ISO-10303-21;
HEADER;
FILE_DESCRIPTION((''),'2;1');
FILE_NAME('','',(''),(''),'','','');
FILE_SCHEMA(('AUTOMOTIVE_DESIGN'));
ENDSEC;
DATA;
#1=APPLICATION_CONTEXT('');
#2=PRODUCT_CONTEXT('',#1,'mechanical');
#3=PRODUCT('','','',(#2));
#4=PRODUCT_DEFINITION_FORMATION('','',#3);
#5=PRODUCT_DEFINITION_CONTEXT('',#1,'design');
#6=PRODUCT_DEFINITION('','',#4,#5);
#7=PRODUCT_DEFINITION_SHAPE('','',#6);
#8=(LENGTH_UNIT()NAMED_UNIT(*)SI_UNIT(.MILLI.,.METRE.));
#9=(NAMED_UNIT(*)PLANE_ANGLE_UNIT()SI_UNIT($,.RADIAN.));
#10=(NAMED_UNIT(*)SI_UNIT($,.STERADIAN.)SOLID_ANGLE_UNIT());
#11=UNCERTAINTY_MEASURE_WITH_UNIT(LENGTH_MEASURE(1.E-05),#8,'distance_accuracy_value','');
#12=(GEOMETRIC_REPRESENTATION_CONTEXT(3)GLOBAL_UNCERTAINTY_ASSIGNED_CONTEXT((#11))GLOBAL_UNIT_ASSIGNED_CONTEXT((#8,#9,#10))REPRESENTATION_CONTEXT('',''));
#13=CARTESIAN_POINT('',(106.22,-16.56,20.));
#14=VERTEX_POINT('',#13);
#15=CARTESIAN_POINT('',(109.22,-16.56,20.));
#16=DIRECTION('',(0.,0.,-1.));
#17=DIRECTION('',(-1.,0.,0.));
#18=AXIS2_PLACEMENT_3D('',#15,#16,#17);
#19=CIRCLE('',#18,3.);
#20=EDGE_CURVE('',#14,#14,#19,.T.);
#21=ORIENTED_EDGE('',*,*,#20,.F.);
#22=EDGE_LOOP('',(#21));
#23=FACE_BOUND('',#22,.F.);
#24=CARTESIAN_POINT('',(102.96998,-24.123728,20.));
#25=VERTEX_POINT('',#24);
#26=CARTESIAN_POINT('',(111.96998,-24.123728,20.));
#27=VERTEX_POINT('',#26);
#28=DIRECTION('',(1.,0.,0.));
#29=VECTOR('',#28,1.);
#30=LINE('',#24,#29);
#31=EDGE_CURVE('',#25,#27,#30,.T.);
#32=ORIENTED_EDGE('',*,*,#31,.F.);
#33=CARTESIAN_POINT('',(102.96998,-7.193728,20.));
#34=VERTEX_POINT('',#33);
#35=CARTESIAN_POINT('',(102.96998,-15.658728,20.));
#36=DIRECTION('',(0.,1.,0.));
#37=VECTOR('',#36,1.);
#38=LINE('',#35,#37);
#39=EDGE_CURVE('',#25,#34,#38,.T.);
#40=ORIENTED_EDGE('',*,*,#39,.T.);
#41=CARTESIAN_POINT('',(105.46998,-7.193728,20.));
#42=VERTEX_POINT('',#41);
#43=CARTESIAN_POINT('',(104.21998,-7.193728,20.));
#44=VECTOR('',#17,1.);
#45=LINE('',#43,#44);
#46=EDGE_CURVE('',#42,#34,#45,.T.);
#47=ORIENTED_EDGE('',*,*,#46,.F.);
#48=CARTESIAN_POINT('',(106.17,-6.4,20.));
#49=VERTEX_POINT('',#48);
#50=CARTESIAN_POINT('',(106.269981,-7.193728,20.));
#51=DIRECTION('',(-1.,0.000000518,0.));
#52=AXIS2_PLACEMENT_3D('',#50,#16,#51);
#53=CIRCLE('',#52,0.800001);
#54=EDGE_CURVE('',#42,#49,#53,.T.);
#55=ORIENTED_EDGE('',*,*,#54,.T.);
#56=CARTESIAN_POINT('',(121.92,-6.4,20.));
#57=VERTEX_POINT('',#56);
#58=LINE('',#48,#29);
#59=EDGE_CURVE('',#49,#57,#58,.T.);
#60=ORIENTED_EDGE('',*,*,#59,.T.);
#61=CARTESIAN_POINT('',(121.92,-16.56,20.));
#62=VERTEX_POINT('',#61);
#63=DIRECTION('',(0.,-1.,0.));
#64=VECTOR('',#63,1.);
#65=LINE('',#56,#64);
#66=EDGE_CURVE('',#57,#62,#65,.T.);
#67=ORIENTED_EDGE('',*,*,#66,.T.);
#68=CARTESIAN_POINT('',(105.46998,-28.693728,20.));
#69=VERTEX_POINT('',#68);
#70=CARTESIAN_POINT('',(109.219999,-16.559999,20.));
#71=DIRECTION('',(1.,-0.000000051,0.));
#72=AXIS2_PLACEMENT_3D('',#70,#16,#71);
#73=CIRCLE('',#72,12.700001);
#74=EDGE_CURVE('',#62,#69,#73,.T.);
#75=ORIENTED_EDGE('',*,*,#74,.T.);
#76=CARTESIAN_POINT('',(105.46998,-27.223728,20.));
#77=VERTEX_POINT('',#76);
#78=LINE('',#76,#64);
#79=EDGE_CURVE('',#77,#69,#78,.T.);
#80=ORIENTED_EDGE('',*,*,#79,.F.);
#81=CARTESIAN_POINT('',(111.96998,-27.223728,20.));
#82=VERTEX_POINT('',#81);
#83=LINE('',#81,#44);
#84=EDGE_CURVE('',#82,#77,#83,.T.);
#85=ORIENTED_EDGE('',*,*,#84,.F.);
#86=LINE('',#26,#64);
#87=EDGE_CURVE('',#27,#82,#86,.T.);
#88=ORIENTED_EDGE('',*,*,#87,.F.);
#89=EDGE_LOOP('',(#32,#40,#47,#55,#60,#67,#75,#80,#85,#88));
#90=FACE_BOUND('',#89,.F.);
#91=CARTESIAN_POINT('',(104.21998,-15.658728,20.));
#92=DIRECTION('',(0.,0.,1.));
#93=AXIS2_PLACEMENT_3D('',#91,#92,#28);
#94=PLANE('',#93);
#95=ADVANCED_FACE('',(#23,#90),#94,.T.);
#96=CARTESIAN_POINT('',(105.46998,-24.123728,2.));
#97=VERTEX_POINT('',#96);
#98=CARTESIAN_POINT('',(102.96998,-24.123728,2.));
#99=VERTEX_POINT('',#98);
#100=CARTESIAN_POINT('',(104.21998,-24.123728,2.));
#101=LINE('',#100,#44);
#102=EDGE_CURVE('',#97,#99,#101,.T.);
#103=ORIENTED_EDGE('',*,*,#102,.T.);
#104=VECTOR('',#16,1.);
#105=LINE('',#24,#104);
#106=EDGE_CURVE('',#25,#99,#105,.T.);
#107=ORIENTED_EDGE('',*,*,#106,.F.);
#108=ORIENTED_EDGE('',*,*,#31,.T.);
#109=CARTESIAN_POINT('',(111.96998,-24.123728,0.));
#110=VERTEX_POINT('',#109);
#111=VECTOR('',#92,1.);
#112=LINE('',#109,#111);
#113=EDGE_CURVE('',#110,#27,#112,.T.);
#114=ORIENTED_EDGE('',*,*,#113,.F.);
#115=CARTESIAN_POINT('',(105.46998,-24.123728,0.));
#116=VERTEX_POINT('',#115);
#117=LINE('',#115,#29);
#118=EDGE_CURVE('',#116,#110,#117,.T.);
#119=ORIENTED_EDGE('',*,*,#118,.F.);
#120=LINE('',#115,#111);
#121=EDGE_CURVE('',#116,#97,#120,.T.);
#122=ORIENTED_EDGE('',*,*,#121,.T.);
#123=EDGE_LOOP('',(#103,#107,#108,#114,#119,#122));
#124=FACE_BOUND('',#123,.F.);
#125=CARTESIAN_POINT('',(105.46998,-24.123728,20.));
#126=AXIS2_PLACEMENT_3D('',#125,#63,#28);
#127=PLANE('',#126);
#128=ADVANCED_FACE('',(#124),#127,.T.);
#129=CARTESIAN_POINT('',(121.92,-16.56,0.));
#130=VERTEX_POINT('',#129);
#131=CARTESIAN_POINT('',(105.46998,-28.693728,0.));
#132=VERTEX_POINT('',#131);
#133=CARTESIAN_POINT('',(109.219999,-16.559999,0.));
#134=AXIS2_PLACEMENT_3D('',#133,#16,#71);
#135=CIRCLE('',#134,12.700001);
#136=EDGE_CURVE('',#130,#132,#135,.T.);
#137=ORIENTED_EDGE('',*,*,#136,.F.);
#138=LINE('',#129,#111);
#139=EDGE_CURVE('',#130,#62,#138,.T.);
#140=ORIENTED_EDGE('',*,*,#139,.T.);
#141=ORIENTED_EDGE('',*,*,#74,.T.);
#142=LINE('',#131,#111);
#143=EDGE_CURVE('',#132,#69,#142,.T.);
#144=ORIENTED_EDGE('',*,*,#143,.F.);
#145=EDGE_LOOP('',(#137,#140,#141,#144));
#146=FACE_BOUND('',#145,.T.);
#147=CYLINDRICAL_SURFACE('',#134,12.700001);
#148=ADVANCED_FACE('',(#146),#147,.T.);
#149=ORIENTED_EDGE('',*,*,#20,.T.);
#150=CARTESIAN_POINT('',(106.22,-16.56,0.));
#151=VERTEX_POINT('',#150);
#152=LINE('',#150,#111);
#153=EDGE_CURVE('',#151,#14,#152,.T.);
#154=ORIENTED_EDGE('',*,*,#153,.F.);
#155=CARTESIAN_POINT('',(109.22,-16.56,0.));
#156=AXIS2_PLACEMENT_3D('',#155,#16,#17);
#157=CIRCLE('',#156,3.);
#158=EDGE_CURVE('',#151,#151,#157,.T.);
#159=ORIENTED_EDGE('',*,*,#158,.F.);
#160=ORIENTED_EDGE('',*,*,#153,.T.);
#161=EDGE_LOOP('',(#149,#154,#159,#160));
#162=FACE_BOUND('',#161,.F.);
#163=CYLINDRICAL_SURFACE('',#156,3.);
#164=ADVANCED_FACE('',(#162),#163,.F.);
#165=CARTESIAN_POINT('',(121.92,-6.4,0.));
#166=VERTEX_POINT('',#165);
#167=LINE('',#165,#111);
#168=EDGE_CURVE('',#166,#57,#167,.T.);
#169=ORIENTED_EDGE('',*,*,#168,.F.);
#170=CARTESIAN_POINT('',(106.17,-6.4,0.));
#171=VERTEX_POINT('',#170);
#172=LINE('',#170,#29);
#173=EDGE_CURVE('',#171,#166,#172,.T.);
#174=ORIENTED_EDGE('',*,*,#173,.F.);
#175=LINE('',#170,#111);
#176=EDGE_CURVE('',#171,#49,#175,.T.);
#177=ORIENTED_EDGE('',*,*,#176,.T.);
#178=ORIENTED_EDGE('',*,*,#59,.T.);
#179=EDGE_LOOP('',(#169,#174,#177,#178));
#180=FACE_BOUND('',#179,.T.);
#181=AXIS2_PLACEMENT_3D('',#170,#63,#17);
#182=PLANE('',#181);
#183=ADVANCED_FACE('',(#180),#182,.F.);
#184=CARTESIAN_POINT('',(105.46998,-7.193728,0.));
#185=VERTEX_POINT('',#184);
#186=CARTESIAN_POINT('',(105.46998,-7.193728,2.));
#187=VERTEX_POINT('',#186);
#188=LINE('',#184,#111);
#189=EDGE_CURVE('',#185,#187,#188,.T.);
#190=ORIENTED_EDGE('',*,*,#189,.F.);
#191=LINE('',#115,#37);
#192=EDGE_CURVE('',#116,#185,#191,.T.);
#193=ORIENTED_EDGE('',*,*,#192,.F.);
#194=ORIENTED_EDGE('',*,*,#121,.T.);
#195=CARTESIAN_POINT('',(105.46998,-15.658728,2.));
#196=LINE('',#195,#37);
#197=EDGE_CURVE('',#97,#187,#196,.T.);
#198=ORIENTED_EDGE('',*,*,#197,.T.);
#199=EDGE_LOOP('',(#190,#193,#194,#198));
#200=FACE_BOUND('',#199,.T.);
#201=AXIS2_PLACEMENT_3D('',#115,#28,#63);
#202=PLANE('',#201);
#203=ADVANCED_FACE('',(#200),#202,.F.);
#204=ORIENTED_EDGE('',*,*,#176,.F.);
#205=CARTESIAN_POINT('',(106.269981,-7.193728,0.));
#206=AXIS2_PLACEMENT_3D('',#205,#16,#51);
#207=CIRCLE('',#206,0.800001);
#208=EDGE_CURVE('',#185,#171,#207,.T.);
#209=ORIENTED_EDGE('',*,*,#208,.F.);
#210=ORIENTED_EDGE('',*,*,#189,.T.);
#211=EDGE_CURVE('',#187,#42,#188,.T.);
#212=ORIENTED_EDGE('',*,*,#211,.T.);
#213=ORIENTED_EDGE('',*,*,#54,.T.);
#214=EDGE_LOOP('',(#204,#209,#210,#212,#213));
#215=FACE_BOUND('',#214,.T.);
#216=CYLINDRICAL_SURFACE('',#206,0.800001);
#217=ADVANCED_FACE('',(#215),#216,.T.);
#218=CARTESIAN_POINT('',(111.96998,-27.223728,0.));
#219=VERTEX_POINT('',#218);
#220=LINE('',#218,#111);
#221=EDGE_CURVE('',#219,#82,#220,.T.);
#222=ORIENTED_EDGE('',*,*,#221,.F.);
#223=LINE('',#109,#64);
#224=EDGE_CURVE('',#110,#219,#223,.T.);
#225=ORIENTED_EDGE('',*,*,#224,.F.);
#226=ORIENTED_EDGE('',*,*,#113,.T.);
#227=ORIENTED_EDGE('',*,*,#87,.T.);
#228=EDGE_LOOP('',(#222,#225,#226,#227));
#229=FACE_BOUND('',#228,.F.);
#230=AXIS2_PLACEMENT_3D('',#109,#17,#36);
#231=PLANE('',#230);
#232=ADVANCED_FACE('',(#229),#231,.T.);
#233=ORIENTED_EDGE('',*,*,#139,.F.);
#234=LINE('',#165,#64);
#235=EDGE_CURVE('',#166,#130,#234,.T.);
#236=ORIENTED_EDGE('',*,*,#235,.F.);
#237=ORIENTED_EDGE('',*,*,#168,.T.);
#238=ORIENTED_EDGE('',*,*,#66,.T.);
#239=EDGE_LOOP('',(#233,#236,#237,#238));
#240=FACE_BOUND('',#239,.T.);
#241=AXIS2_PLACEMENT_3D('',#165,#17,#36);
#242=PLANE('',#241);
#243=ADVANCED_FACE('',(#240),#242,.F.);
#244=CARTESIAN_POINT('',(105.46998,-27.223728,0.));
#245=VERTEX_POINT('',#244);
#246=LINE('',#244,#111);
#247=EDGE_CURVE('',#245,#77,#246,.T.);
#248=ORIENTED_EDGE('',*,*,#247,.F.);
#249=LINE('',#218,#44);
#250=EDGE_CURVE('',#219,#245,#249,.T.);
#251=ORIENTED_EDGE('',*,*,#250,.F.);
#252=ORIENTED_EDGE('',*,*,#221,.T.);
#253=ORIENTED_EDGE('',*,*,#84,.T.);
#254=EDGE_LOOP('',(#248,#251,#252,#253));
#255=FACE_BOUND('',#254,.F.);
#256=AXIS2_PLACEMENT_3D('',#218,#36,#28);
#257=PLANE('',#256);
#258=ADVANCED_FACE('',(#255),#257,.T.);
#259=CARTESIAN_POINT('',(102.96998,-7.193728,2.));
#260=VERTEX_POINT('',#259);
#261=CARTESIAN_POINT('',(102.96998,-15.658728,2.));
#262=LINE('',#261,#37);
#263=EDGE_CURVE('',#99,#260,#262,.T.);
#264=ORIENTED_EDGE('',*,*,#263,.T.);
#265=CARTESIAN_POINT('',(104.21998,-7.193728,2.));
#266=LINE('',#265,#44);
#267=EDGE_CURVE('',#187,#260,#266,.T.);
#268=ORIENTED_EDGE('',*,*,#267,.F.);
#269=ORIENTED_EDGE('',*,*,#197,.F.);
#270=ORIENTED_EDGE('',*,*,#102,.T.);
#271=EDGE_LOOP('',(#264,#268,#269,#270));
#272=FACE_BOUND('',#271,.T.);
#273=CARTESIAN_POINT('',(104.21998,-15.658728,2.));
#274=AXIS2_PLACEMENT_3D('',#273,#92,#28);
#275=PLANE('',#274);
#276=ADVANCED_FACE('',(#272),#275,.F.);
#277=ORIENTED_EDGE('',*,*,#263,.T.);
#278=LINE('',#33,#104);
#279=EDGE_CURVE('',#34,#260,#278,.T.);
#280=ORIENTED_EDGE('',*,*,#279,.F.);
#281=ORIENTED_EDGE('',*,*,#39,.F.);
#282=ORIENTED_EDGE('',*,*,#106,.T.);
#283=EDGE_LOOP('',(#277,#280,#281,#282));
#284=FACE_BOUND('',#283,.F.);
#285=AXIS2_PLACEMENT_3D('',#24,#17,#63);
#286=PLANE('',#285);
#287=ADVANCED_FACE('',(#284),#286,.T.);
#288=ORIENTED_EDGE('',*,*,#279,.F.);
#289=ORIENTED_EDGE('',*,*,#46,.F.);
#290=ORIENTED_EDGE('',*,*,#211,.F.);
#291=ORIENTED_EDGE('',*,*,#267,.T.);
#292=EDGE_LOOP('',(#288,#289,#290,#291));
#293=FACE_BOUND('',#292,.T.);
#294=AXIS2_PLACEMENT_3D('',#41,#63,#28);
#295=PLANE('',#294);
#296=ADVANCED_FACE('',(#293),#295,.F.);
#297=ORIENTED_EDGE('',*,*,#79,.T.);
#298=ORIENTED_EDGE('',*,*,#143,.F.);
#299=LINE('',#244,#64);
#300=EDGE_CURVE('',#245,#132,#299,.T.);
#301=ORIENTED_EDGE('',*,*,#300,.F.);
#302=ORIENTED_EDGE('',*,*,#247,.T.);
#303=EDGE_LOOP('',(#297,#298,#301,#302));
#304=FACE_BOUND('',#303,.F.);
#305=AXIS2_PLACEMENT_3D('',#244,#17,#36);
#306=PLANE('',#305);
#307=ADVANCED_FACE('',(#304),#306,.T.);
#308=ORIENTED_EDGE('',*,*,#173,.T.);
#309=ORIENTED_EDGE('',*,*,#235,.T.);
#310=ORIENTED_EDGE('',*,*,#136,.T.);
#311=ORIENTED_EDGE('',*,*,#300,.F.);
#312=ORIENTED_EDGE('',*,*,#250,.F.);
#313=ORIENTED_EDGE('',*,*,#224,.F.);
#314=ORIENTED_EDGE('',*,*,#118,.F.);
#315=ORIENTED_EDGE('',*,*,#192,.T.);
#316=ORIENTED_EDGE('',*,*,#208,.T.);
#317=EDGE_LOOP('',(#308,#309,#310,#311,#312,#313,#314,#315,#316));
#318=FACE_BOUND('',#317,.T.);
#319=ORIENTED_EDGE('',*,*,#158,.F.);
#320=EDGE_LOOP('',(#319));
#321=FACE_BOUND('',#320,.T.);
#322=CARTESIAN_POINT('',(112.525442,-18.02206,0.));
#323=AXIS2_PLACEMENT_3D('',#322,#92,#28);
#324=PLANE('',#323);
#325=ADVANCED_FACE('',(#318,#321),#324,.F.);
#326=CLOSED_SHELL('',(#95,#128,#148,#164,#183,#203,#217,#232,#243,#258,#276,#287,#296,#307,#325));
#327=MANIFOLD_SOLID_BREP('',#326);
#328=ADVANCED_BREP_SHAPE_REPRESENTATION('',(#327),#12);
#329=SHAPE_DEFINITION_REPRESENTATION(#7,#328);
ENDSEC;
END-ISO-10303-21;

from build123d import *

# Parameters (mm, degrees)
SKETCH016_R  = 3
PAD017_DEPTH = 20
SKETCH020_W  = 2.5
SKETCH020_H  = 16.93
PAD021_DEPTH = 18


with BuildPart() as corner_fl005:
    # Sketch016 → Pad017 (new body)
    with BuildSketch(Plane.XY):
        with BuildLine():
            ThreePointArc((-121.92, -35.56), (-116.758725, -45.780451), (-105.46998, -47.693728))
            Line((-105.46998, -46.223728), (-105.46998, -47.693728))
            Line((-111.96998, -46.223728), (-105.46998, -46.223728))
            Line((-111.96998, -43.123728), (-111.96998, -46.223728))
            Line((-105.46998, -43.123728), (-111.96998, -43.123728))
            Line((-105.46998, -31.693728), (-105.46998, -43.123728))
            Line((-105.46998, -31.693728), (-105.46998, -26.193728))
            ThreePointArc((-105.46998, -26.193728), (-105.669987, -25.66457), (-106.17, -25.4))
            Line((-106.17, -25.4), (-121.92, -25.4))
            Line((-121.92, -25.4), (-121.92, -35.56))
        make_face()
        with Locations((-109.22, -35.56)):
            Circle(SKETCH016_R, mode=Mode.SUBTRACT)
    extrude(amount=PAD017_DEPTH)

    # Sketch020 (on Face13 of Pad017) → Pad021 (join)
    with BuildSketch(Plane.XY.offset(20)):
        with Locations((-104.21998, -34.658728)):
            Rectangle(SKETCH020_W, SKETCH020_H)
    extrude(amount=-PAD021_DEPTH)


with BuildPart() as corner_fl005_1:
    # Body012 placement: moved
    add(corner_fl005.part.moved(Location((0, 19, 0))))


with BuildPart() as corner_fl005_mirrored:
    # mirror: instance of Corner_FL005
    add(corner_fl005_1.part.mirror(Plane(origin=(0, 0, 0), x_dir=(0, -1, 0), z_dir=(1, 0, 0))))


solid = corner_fl005_mirrored.part
